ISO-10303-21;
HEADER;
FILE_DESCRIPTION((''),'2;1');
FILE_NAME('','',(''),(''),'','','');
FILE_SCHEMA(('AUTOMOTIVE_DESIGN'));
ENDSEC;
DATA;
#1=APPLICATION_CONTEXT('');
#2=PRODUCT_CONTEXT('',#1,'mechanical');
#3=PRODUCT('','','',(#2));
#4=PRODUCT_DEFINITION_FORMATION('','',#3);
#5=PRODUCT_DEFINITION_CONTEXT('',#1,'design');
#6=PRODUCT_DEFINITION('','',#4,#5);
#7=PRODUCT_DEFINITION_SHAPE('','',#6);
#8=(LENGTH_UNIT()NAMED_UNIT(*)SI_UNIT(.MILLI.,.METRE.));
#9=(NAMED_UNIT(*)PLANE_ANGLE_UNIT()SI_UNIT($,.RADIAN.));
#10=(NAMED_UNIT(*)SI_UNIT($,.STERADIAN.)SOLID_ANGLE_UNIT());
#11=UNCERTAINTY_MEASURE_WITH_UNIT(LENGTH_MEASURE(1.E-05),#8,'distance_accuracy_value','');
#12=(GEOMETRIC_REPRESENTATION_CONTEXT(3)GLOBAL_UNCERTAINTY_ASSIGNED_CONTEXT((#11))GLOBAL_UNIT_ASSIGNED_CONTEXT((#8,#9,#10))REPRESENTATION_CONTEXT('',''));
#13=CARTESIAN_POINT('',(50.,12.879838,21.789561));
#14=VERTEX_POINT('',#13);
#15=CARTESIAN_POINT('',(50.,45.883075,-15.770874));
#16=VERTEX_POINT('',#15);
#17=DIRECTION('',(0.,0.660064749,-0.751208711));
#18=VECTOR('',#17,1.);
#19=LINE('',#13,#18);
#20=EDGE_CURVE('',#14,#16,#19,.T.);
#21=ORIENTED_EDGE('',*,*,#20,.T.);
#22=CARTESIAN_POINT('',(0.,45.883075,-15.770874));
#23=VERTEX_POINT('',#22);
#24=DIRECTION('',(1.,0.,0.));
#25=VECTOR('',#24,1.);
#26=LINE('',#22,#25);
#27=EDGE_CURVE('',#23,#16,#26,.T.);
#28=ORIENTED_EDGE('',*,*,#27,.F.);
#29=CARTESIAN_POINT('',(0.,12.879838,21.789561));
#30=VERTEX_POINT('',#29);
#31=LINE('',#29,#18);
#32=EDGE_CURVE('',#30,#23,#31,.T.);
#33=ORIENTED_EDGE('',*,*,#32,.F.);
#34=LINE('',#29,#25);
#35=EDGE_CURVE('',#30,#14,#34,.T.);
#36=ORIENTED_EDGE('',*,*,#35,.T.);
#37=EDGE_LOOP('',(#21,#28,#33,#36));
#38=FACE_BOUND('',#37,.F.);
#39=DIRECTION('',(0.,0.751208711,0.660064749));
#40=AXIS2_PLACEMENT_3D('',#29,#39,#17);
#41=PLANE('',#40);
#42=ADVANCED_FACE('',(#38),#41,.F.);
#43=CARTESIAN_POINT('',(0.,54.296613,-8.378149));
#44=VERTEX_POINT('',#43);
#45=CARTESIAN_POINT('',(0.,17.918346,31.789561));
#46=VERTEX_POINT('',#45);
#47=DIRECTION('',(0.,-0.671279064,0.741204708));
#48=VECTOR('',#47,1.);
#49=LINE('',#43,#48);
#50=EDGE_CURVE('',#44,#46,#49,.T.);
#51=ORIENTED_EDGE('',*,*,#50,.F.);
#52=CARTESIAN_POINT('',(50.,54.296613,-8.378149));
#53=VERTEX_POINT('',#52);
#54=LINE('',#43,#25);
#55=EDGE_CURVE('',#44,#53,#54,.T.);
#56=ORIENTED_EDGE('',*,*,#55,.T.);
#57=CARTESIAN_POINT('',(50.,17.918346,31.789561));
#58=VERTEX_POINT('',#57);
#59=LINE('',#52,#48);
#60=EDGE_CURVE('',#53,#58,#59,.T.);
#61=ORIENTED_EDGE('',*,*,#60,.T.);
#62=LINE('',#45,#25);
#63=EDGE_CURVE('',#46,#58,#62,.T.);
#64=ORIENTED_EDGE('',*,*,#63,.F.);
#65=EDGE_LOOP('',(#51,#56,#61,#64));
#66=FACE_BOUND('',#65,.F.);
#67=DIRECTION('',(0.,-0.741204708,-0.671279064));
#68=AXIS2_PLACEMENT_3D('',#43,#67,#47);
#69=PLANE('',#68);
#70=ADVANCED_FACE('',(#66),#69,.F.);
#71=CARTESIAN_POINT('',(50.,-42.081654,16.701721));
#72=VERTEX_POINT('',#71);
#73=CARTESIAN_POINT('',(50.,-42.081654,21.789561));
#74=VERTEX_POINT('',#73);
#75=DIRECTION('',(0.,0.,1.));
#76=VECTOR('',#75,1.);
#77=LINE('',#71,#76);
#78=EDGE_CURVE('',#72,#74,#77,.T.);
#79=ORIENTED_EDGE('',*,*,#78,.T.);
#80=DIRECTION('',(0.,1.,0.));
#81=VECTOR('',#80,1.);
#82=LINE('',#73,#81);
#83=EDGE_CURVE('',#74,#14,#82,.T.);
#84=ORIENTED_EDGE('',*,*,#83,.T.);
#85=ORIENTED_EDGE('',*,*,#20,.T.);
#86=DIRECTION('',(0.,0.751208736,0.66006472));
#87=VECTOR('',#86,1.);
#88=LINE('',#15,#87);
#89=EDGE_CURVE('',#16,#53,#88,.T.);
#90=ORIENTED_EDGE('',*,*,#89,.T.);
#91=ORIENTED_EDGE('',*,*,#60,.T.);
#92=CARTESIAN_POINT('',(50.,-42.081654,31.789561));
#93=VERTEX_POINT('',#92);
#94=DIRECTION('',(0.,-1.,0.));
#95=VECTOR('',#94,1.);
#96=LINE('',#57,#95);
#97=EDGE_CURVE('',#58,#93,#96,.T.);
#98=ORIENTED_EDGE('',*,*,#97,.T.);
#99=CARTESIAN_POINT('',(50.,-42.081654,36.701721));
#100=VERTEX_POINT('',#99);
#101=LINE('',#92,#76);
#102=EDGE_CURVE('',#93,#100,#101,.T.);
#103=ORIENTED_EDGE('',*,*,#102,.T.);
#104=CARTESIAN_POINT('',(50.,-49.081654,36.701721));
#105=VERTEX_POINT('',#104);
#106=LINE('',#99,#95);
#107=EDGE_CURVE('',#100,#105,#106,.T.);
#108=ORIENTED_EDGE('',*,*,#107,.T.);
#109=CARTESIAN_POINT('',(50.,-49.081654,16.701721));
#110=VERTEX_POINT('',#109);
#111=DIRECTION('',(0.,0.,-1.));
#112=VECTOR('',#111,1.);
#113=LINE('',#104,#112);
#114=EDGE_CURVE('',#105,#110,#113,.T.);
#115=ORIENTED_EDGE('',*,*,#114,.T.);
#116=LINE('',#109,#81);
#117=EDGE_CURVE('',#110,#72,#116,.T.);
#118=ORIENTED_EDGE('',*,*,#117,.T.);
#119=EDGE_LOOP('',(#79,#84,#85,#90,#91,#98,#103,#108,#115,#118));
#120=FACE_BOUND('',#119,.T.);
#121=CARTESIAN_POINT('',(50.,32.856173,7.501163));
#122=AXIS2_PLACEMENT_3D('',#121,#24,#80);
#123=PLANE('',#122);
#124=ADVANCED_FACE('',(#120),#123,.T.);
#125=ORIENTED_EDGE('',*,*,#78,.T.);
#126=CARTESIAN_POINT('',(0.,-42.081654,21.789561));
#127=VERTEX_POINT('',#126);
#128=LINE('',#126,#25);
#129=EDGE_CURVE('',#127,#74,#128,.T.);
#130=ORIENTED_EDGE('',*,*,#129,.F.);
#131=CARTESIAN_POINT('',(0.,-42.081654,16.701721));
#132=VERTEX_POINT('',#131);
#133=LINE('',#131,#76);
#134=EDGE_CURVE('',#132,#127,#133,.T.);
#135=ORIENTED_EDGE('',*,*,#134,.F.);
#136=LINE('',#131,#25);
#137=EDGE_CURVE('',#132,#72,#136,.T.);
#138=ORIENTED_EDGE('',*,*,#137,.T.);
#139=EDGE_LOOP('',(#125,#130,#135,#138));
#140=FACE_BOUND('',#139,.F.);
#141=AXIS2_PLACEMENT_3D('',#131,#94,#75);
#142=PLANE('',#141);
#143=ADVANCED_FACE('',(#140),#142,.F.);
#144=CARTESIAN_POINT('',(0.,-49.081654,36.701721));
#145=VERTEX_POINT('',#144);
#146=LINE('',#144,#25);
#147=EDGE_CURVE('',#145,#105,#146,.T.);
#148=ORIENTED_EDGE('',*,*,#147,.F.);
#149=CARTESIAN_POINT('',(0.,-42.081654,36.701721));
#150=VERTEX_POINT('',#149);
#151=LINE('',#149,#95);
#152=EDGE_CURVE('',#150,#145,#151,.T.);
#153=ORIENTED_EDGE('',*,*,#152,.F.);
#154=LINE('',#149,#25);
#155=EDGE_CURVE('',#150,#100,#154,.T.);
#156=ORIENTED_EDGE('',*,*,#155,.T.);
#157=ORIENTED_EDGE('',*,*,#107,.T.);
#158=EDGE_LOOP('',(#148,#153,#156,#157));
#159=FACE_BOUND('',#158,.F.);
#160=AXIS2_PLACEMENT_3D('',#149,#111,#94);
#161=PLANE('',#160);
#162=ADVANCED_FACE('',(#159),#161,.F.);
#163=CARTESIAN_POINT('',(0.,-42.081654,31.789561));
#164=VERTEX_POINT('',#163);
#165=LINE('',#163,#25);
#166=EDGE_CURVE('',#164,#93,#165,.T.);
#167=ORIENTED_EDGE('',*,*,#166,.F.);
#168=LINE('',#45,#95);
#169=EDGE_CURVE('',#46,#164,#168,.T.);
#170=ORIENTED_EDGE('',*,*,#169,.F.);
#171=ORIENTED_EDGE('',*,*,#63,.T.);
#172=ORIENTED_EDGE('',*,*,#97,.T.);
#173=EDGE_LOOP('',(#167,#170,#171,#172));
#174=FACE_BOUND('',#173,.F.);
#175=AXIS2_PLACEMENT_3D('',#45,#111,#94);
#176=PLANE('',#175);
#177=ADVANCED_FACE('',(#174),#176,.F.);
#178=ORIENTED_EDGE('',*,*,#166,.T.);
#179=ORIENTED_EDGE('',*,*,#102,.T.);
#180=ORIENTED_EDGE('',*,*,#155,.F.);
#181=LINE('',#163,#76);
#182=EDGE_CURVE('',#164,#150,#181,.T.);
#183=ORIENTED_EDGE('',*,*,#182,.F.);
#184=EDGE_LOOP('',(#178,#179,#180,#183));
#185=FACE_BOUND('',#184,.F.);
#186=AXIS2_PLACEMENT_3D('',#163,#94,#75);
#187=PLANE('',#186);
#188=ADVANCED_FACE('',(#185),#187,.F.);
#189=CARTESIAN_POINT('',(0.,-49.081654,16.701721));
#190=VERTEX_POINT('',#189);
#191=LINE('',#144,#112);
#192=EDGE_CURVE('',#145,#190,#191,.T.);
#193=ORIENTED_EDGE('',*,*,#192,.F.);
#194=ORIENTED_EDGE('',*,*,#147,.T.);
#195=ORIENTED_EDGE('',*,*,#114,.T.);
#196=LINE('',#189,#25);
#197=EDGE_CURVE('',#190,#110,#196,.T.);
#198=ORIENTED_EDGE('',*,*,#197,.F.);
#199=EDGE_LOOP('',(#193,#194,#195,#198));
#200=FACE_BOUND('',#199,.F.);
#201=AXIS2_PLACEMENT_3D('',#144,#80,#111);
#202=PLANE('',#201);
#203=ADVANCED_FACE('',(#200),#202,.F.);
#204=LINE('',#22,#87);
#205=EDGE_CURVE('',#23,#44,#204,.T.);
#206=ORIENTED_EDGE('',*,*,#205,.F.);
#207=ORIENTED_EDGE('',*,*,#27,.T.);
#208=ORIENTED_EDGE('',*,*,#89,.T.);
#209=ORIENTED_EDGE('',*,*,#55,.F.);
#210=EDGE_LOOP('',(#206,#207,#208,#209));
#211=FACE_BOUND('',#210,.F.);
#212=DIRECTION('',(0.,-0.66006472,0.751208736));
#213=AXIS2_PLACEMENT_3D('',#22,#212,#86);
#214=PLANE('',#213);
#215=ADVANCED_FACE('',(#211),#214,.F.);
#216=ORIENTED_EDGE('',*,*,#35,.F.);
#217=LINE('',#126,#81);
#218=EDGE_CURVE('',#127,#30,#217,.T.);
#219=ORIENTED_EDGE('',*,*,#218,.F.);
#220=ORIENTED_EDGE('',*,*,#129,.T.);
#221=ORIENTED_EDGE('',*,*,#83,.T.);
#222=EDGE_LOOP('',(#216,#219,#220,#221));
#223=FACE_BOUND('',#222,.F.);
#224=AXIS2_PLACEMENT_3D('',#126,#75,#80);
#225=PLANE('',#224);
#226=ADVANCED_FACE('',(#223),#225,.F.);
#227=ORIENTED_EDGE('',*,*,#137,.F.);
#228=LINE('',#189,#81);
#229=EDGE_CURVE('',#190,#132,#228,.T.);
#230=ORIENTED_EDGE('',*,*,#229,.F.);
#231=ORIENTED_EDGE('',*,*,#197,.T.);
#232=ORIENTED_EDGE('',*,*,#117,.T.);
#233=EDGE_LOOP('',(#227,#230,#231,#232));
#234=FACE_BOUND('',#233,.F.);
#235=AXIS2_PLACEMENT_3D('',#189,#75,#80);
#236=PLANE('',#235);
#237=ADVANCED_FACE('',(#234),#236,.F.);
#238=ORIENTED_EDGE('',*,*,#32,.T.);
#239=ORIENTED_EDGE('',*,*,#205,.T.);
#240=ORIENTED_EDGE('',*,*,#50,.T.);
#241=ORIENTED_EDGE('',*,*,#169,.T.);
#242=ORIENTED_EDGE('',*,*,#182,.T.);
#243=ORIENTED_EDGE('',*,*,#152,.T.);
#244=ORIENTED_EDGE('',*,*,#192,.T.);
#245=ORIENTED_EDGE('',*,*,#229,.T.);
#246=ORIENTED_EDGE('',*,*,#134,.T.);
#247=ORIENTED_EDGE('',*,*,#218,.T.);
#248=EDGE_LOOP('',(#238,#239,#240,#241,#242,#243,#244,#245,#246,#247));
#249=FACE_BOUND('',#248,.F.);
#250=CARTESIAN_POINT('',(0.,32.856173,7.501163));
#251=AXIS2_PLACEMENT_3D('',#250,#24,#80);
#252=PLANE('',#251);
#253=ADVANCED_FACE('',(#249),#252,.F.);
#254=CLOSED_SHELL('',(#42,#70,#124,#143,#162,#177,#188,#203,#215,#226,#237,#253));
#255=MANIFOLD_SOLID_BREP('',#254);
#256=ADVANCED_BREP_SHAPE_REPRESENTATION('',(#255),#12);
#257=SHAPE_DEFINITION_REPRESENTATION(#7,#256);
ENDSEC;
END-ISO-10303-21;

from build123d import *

# Parameters (mm, degrees)
F1_DEPTH = 50


with BuildPart() as f1:
    # F0 (on Right) → F1 (new body)
    with BuildSketch(Plane.YZ):
        Polygon((17.918346, 31.789561), (12.879838, 21.789561), (45.883075, -15.770874), (54.296613, -8.378149), align=None)
        Polygon((-42.081654, 31.789561), (-42.081654, 21.789561), (12.879838, 21.789561), (17.918346, 31.789561), align=None)
        Polygon((-42.081654, 16.701721), (-42.081654, 21.789561), (-42.081654, 31.789561), (-42.081654, 36.701721), (-49.081654, 36.701721), (-49.081654, 16.701721), align=None)
    extrude(amount=F1_DEPTH)


solid = f1.part
